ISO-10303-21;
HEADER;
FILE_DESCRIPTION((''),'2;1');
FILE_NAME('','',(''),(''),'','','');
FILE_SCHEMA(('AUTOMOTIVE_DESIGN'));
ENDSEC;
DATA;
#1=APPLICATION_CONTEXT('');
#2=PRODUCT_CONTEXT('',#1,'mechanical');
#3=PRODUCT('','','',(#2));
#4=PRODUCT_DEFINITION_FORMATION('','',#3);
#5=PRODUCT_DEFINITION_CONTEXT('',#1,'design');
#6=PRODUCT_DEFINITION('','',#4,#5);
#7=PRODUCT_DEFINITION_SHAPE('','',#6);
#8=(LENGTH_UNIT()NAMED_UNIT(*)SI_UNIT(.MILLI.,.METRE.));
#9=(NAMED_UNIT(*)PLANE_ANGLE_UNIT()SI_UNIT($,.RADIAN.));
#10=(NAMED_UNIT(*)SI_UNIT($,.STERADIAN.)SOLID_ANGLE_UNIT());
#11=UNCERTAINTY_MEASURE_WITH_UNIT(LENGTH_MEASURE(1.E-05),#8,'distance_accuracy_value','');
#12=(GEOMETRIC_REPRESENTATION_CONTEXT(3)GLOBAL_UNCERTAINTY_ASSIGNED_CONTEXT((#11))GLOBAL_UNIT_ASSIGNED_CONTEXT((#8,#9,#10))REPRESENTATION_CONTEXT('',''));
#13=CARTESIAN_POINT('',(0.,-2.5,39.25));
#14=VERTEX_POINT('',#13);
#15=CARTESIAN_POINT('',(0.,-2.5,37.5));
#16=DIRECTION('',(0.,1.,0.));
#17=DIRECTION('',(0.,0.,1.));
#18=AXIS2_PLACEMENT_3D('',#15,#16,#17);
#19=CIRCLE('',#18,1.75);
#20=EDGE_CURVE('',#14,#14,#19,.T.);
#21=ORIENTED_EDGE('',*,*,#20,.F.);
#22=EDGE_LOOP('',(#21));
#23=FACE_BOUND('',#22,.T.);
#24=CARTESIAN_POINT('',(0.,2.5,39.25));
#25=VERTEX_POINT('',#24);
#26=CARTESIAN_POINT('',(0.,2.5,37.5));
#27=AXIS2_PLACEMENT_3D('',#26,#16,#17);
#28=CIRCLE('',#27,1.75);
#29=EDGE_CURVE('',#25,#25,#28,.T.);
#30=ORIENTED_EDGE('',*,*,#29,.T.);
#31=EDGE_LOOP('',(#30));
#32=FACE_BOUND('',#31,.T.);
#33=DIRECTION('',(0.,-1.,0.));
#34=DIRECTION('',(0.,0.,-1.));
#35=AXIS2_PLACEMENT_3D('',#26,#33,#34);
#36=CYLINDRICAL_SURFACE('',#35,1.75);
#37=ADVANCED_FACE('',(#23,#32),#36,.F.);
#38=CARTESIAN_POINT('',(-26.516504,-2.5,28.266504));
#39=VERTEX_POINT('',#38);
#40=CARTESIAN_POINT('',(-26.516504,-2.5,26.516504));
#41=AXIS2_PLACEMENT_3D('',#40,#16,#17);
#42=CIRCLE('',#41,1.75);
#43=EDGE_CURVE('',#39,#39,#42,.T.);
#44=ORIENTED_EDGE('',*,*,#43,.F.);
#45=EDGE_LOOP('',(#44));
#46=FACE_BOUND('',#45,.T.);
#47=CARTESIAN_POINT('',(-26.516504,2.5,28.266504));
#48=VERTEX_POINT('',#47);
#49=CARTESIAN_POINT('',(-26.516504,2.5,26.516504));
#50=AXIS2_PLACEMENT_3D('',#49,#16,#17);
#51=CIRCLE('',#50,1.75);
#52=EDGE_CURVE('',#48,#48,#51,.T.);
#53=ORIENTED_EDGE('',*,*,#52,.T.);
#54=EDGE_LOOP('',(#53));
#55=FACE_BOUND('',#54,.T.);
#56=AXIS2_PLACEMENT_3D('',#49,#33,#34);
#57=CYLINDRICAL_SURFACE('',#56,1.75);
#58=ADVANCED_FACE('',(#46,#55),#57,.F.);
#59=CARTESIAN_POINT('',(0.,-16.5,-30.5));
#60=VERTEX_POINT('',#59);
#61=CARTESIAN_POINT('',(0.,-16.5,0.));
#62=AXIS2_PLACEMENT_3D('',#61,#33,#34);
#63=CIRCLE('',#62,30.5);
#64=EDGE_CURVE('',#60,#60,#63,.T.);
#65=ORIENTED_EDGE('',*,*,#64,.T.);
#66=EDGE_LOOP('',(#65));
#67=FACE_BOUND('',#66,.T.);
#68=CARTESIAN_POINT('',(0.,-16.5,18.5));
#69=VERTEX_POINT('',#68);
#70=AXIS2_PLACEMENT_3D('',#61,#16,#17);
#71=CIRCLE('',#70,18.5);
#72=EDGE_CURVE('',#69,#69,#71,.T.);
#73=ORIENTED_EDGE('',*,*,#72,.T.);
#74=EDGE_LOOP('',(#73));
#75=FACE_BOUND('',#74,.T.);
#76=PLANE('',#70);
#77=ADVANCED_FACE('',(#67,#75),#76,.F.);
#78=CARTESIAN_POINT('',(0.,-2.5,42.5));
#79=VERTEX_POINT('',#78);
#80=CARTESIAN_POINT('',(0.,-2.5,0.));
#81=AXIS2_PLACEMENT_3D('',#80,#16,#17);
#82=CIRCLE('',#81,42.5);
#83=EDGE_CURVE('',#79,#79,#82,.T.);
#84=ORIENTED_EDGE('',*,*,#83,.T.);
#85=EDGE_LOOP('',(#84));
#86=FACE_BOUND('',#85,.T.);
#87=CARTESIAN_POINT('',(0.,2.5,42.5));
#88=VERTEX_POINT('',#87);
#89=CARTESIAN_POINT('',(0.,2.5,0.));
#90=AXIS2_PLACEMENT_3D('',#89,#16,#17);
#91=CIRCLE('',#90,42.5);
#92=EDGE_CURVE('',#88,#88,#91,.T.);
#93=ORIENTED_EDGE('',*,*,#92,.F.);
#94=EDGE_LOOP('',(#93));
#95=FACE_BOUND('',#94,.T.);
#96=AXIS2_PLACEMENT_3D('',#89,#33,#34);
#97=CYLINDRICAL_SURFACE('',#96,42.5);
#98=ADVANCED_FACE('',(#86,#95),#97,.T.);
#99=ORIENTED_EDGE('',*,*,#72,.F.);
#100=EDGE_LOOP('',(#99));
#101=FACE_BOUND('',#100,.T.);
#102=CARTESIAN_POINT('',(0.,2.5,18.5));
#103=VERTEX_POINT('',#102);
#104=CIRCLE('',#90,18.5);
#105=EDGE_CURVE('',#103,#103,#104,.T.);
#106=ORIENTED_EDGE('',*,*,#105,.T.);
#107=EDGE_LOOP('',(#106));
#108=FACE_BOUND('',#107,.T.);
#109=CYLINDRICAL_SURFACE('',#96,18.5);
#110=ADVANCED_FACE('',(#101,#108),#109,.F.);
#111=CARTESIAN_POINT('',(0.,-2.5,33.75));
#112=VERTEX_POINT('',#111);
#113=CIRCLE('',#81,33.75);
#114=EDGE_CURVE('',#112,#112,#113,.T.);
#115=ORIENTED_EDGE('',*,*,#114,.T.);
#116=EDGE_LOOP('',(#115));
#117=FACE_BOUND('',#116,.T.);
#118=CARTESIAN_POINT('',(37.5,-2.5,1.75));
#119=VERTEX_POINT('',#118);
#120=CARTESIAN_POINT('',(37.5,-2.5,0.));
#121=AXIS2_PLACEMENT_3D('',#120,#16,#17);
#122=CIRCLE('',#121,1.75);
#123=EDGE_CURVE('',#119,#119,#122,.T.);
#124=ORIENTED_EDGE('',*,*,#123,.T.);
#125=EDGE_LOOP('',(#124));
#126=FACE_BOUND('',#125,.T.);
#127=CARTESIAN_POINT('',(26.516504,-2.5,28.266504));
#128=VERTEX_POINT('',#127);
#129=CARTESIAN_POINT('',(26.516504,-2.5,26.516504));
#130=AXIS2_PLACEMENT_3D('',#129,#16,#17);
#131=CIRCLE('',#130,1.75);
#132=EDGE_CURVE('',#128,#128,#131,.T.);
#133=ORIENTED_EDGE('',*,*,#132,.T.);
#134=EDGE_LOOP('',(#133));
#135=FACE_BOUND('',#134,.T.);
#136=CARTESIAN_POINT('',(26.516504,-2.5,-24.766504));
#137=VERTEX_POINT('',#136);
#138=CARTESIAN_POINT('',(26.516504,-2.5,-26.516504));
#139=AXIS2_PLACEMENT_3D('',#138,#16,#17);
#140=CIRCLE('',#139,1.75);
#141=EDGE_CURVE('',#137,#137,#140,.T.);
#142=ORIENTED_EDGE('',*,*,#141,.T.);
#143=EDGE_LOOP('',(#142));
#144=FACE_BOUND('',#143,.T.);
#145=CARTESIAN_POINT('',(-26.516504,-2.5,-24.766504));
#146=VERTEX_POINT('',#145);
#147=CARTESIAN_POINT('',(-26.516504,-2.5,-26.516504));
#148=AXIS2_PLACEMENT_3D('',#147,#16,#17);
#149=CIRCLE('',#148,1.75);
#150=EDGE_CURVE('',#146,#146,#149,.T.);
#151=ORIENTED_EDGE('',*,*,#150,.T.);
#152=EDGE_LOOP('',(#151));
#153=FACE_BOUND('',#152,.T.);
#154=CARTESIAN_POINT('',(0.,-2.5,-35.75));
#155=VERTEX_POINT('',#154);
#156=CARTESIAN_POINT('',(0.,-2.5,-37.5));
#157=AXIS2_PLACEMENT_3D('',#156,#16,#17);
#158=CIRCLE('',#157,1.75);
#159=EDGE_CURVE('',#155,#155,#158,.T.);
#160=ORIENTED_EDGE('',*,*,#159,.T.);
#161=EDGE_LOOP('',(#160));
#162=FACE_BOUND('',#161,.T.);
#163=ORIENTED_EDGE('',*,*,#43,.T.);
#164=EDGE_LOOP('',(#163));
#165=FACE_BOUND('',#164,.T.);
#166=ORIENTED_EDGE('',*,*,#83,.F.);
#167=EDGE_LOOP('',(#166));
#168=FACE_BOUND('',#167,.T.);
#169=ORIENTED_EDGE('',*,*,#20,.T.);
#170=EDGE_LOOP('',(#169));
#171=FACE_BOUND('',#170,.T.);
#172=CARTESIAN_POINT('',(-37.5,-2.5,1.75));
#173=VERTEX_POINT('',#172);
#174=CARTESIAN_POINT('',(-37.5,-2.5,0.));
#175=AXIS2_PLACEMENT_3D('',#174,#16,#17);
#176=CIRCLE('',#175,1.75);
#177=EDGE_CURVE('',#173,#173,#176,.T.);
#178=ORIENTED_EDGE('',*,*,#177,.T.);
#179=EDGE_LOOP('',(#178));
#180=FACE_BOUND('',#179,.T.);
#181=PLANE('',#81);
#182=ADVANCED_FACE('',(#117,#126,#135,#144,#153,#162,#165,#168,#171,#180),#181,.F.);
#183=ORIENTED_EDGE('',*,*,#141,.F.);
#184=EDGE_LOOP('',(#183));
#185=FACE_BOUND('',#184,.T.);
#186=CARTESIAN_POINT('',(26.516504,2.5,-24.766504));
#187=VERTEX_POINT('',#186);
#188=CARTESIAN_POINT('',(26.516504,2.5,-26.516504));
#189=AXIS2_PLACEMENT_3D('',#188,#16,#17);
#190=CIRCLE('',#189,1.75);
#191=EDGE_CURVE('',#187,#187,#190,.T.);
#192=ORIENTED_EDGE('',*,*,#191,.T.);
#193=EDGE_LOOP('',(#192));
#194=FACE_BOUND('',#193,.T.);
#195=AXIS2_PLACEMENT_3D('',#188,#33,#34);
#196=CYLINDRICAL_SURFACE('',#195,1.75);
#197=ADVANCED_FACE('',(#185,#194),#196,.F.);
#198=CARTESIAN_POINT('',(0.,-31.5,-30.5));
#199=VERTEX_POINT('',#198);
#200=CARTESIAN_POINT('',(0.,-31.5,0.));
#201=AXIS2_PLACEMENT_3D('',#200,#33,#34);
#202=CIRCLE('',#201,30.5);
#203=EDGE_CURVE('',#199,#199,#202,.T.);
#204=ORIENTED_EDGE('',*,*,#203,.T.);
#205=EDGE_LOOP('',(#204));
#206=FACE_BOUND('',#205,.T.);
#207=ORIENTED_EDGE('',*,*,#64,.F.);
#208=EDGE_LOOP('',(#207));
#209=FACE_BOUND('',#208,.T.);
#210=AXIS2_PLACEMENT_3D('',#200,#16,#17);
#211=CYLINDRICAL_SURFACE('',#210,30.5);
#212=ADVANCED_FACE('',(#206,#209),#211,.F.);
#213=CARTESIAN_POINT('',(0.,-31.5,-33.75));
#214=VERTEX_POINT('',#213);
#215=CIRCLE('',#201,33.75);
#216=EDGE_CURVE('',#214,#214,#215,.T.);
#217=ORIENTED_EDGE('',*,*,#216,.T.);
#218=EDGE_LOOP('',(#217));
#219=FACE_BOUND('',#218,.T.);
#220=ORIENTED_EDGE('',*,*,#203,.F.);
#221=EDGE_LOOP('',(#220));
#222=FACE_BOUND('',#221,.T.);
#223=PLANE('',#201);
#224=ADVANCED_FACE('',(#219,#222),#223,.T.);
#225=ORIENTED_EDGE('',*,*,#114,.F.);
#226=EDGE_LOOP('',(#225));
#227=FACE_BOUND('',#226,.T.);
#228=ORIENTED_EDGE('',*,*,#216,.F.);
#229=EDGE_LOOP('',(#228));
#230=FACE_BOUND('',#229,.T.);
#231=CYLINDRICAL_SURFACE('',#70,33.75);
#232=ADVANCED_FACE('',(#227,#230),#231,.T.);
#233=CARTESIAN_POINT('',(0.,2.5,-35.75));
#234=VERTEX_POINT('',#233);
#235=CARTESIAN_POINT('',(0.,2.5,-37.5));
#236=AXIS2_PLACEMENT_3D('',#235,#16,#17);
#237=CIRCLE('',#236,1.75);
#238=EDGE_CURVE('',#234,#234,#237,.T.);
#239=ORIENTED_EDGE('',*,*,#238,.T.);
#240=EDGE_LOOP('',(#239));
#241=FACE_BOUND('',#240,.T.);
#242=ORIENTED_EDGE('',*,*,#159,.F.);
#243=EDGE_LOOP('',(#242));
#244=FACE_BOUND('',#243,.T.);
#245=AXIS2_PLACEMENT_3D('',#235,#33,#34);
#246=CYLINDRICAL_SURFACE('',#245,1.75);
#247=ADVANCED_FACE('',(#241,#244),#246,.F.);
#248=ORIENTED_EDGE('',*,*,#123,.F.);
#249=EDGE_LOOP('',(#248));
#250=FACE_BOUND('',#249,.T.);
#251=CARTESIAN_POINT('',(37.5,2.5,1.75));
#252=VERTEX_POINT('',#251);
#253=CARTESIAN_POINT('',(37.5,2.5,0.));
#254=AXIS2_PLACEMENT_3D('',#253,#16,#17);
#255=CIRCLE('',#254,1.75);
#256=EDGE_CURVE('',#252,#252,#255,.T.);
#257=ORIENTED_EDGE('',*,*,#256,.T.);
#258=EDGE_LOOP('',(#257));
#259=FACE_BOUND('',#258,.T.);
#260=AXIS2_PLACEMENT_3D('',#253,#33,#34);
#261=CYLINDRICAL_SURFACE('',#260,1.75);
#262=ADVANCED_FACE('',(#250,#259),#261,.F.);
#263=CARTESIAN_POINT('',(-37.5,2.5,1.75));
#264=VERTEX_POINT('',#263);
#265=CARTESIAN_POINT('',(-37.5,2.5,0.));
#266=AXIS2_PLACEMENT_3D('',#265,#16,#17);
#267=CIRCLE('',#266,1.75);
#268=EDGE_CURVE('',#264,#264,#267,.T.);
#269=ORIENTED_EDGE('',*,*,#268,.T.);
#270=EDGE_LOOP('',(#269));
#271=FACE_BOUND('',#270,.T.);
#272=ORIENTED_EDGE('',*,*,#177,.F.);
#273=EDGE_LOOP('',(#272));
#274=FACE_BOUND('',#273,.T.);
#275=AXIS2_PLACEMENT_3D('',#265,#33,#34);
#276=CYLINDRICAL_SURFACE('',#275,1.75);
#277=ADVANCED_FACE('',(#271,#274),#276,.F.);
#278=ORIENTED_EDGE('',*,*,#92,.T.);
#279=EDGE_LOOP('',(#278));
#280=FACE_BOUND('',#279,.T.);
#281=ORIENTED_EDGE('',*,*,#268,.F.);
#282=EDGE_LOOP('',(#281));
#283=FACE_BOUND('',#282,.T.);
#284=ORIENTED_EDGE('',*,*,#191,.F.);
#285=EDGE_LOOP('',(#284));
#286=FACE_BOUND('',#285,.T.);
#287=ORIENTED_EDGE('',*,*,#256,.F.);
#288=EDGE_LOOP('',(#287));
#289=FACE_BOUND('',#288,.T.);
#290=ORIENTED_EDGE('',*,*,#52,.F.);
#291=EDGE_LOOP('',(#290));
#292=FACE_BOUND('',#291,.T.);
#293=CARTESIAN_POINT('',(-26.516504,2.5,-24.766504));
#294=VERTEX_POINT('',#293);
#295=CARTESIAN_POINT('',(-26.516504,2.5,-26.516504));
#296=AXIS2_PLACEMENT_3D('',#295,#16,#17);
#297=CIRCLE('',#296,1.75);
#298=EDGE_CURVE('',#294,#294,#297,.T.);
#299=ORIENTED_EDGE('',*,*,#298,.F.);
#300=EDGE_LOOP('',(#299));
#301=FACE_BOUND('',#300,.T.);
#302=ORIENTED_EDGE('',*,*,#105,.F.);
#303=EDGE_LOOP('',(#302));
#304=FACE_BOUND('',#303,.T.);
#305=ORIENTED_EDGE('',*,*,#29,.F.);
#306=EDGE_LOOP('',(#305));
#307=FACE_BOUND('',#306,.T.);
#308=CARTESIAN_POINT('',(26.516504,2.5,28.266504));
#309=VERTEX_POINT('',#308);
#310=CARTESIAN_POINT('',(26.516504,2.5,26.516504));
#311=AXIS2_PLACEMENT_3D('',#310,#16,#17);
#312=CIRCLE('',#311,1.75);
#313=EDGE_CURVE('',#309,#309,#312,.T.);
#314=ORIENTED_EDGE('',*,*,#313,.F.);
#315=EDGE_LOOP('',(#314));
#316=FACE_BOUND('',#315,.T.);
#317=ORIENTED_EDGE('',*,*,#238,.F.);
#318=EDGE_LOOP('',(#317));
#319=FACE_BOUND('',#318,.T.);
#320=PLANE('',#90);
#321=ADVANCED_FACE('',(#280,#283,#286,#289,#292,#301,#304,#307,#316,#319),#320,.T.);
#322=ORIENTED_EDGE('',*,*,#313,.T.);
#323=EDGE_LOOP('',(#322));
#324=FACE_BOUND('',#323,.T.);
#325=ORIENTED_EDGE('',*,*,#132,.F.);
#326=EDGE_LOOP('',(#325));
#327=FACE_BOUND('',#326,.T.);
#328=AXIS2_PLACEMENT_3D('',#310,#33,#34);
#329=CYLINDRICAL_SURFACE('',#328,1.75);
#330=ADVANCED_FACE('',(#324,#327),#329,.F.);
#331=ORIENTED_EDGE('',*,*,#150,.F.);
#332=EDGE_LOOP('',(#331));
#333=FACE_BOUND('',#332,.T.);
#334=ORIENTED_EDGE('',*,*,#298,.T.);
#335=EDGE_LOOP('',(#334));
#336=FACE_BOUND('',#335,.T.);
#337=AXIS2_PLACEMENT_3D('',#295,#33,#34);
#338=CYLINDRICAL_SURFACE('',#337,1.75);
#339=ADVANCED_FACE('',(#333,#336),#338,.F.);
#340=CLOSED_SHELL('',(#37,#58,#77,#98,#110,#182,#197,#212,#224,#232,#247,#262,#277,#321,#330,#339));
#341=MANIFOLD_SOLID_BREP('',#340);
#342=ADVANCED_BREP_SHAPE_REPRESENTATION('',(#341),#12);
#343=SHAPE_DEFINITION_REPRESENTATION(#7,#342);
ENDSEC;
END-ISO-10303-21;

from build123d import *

# Parameters (mm, degrees)
SKETCH1_R           = 42.5
SKETCH1_R_2         = 18.5
SKETCH1_R_3         = 1.75
BOSS_EXTRUDE1_DEPTH = 2.5
BOSS_EXTRUDE2_START = -14
SKETCH2_R           = 33.75
SKETCH2_R_2         = 18.5
BOSS_EXTRUDE2_DEPTH = 14
BOSS_EXTRUDE3_START = 15
SKETCH3_R           = 33.75
SKETCH3_R_2         = 30.5
BOSS_EXTRUDE3_DEPTH = 15


with BuildPart() as part:
    # Sketch1 → Boss-Extrude1 (new, symmetric)
    with BuildSketch(Plane(origin=(0, 0, 0), x_dir=(1, 0, 0), z_dir=(0, 1, 0))):
        with Locations(Location((0, 0, 0), (0, 0, 270))):
            Circle(SKETCH1_R)
        with Locations(Location((0, 0, 0), (0, 0, 270))):
            Circle(SKETCH1_R_2, mode=Mode.SUBTRACT)
        with Locations(Location((0, 37.5, 0), (0, 0, 270))):
            Circle(SKETCH1_R_3, mode=Mode.SUBTRACT)
        with Locations(Location((26.516504294, 26.516504294, 0), (0, 0, 270))):
            Circle(SKETCH1_R_3, mode=Mode.SUBTRACT)
        with Locations(Location((37.5, 0, 0), (0, 0, 270))):
            Circle(SKETCH1_R_3, mode=Mode.SUBTRACT)
        with Locations(Location((26.516504294, -26.516504294, 0), (0, 0, 270))):
            Circle(SKETCH1_R_3, mode=Mode.SUBTRACT)
        with Locations(Location((0, -37.5, 0), (0, 0, 270))):
            Circle(SKETCH1_R_3, mode=Mode.SUBTRACT)
        with Locations(Location((-26.516504294, -26.516504294, 0), (0, 0, 270))):
            Circle(SKETCH1_R_3, mode=Mode.SUBTRACT)
        with Locations(Location((-37.5, 0, 0), (0, 0, 270))):
            Circle(SKETCH1_R_3, mode=Mode.SUBTRACT)
        with Locations(Location((-26.516504294, 26.516504294, 0), (0, 0, 270))):
            Circle(SKETCH1_R_3, mode=Mode.SUBTRACT)
    extrude(amount=BOSS_EXTRUDE1_DEPTH, both=True)

    # Sketch2 → Boss-Extrude2 (add)
    with BuildSketch(Plane(origin=(0, -2.5, 0), x_dir=(1, 0, 0), z_dir=(0, 1, 0)).offset(BOSS_EXTRUDE2_START)):
        with Locations(Location((0, 0, 0), (0, 0, 270))):
            Circle(SKETCH2_R)
        with Locations(Location((0, 0, 0), (0, 0, 270))):
            Circle(SKETCH2_R_2, mode=Mode.SUBTRACT)
    extrude(amount=BOSS_EXTRUDE2_DEPTH)

    # Sketch3 → Boss-Extrude3 (add)
    with BuildSketch(Plane.XZ.offset(16.5).offset(BOSS_EXTRUDE3_START)):
        with Locations(Location((0, 0, 0), (0, 0, 90))):
            Circle(SKETCH3_R)
        with Locations(Location((0, 0, 0), (0, 0, 270))):
            Circle(SKETCH3_R_2, mode=Mode.SUBTRACT)
    extrude(amount=-BOSS_EXTRUDE3_DEPTH)


solid = part.part
